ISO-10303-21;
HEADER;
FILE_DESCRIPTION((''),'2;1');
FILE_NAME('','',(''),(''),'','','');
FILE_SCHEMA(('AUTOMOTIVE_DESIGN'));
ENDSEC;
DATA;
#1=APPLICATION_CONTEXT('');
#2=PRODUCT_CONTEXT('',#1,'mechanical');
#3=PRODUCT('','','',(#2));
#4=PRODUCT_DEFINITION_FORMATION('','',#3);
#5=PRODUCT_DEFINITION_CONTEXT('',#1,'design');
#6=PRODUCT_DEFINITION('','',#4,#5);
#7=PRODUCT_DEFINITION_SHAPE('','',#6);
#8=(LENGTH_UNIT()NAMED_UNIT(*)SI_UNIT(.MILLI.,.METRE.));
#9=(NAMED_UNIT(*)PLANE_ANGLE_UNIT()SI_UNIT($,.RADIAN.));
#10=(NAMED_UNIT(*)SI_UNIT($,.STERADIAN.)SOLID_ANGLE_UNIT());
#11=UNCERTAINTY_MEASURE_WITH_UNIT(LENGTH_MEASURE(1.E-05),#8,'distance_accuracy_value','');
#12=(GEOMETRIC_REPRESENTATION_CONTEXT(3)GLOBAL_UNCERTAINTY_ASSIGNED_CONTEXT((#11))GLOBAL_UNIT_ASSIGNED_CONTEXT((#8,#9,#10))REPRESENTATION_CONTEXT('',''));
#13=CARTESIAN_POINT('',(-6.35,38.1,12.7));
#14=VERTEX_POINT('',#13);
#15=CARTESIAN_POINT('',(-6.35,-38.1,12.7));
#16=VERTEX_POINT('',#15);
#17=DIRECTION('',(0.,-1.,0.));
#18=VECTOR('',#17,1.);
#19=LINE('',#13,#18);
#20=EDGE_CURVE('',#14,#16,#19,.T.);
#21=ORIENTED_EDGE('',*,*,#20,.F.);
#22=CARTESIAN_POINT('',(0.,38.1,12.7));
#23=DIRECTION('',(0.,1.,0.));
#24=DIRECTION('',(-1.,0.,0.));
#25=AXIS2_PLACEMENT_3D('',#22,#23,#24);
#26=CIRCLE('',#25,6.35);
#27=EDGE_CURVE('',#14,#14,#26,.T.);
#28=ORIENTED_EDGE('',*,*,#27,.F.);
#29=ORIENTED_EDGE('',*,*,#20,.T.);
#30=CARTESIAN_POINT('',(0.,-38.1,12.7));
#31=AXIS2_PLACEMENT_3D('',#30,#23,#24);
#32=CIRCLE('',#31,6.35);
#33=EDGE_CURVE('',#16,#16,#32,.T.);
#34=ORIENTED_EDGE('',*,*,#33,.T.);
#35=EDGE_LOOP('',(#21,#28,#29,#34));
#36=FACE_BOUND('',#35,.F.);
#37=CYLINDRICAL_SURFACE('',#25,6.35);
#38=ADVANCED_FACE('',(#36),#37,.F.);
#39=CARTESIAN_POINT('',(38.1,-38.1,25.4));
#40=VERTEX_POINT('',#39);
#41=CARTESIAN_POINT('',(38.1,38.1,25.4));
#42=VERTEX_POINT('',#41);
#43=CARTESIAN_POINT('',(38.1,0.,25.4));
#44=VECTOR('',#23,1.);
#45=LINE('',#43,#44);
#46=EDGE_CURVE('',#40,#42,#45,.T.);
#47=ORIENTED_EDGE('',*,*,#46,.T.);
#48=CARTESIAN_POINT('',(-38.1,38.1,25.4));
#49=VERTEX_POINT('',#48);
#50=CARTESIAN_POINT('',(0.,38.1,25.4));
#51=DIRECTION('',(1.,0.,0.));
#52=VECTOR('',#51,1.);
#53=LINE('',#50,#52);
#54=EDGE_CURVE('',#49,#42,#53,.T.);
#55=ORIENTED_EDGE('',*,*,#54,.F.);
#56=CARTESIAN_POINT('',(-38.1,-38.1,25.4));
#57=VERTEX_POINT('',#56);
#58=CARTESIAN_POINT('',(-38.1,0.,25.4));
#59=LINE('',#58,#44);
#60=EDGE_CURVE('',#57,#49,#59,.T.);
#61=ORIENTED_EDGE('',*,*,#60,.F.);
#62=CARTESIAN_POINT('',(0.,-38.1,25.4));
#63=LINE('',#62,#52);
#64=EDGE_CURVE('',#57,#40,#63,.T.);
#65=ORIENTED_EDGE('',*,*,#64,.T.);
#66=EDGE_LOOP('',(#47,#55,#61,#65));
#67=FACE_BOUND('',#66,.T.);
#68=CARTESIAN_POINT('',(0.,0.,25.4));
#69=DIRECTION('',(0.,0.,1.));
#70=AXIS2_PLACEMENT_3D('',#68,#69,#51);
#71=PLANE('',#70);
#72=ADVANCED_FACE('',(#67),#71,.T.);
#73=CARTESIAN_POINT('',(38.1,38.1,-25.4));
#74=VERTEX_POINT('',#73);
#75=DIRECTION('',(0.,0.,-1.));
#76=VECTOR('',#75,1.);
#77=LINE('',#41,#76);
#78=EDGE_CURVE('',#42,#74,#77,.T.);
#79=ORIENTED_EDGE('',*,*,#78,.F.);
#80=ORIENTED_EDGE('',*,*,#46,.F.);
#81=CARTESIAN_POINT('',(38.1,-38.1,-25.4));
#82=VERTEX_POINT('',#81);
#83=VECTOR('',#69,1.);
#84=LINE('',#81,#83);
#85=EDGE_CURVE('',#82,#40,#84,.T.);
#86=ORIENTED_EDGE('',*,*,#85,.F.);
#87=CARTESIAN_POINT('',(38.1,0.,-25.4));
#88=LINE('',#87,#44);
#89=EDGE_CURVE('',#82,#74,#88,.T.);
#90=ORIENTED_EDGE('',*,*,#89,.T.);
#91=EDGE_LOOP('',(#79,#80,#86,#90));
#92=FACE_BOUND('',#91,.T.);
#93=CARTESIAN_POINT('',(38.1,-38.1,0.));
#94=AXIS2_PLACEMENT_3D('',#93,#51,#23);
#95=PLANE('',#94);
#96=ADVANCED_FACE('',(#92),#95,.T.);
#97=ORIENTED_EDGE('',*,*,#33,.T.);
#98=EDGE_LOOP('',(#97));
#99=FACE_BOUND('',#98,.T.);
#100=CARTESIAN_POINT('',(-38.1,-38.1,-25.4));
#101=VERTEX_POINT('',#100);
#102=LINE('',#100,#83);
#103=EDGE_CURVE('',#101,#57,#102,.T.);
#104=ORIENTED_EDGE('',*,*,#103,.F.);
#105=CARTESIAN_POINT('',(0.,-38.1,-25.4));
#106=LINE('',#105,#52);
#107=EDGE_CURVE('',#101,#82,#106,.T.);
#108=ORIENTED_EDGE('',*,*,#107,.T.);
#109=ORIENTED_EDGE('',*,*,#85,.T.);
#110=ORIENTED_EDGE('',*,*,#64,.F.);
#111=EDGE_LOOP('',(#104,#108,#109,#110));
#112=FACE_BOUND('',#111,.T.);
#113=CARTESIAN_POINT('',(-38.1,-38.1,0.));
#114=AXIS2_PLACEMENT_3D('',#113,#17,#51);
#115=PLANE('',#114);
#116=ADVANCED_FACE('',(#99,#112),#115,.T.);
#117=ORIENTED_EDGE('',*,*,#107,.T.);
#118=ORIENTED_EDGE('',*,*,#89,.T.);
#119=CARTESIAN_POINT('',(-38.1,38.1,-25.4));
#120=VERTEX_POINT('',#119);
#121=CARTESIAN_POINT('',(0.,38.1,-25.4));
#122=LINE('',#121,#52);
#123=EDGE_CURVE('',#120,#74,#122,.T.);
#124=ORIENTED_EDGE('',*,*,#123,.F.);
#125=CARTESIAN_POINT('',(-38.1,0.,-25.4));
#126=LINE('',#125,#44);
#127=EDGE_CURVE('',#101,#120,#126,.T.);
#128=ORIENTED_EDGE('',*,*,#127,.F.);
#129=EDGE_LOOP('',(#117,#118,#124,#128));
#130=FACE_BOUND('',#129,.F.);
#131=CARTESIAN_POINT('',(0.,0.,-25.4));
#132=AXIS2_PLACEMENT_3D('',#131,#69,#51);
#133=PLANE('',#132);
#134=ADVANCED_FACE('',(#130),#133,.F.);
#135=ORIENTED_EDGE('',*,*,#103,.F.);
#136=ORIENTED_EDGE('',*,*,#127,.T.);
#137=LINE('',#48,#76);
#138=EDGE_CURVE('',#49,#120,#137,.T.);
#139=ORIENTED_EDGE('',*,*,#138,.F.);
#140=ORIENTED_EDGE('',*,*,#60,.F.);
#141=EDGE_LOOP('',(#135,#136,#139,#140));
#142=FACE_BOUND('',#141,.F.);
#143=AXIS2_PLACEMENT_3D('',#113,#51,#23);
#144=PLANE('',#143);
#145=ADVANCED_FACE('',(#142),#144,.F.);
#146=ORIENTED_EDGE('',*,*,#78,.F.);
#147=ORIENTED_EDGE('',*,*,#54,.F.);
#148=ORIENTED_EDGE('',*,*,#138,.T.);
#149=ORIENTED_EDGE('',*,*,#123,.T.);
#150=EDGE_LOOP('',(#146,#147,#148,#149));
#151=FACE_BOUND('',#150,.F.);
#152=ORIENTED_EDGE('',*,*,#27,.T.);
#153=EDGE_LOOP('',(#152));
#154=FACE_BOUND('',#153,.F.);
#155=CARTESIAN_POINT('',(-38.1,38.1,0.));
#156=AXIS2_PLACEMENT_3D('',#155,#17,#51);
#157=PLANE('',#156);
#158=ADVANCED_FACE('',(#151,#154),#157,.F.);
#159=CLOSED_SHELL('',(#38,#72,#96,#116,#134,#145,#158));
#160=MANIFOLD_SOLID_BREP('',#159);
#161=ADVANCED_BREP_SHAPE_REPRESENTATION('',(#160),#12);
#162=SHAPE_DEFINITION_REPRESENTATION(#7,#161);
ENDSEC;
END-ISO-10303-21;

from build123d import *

# Parameters (mm, degrees)
F0_W     = 76.2
F0_H     = 76.2
F1_DEPTH = 25.4
F2_R     = 6.35
F3_DEPTH = 76.201


with BuildPart() as f1:
    # F0 (on Top) → F1 (new body, symmetric)
    with BuildSketch(Plane.XY):
        Rectangle(F0_W, F0_H)
    extrude(amount=F1_DEPTH, both=True)

    # F2 (on face) → F3 (cut, through all)
    with BuildSketch(Plane(origin=(0, 38.1, 0), x_dir=(-1, 0, 0), z_dir=(0, 1, 0))):
        with Locations((0, 12.7)):
            Circle(F2_R)
    extrude(amount=-F3_DEPTH, mode=Mode.SUBTRACT)


solid = f1.part
